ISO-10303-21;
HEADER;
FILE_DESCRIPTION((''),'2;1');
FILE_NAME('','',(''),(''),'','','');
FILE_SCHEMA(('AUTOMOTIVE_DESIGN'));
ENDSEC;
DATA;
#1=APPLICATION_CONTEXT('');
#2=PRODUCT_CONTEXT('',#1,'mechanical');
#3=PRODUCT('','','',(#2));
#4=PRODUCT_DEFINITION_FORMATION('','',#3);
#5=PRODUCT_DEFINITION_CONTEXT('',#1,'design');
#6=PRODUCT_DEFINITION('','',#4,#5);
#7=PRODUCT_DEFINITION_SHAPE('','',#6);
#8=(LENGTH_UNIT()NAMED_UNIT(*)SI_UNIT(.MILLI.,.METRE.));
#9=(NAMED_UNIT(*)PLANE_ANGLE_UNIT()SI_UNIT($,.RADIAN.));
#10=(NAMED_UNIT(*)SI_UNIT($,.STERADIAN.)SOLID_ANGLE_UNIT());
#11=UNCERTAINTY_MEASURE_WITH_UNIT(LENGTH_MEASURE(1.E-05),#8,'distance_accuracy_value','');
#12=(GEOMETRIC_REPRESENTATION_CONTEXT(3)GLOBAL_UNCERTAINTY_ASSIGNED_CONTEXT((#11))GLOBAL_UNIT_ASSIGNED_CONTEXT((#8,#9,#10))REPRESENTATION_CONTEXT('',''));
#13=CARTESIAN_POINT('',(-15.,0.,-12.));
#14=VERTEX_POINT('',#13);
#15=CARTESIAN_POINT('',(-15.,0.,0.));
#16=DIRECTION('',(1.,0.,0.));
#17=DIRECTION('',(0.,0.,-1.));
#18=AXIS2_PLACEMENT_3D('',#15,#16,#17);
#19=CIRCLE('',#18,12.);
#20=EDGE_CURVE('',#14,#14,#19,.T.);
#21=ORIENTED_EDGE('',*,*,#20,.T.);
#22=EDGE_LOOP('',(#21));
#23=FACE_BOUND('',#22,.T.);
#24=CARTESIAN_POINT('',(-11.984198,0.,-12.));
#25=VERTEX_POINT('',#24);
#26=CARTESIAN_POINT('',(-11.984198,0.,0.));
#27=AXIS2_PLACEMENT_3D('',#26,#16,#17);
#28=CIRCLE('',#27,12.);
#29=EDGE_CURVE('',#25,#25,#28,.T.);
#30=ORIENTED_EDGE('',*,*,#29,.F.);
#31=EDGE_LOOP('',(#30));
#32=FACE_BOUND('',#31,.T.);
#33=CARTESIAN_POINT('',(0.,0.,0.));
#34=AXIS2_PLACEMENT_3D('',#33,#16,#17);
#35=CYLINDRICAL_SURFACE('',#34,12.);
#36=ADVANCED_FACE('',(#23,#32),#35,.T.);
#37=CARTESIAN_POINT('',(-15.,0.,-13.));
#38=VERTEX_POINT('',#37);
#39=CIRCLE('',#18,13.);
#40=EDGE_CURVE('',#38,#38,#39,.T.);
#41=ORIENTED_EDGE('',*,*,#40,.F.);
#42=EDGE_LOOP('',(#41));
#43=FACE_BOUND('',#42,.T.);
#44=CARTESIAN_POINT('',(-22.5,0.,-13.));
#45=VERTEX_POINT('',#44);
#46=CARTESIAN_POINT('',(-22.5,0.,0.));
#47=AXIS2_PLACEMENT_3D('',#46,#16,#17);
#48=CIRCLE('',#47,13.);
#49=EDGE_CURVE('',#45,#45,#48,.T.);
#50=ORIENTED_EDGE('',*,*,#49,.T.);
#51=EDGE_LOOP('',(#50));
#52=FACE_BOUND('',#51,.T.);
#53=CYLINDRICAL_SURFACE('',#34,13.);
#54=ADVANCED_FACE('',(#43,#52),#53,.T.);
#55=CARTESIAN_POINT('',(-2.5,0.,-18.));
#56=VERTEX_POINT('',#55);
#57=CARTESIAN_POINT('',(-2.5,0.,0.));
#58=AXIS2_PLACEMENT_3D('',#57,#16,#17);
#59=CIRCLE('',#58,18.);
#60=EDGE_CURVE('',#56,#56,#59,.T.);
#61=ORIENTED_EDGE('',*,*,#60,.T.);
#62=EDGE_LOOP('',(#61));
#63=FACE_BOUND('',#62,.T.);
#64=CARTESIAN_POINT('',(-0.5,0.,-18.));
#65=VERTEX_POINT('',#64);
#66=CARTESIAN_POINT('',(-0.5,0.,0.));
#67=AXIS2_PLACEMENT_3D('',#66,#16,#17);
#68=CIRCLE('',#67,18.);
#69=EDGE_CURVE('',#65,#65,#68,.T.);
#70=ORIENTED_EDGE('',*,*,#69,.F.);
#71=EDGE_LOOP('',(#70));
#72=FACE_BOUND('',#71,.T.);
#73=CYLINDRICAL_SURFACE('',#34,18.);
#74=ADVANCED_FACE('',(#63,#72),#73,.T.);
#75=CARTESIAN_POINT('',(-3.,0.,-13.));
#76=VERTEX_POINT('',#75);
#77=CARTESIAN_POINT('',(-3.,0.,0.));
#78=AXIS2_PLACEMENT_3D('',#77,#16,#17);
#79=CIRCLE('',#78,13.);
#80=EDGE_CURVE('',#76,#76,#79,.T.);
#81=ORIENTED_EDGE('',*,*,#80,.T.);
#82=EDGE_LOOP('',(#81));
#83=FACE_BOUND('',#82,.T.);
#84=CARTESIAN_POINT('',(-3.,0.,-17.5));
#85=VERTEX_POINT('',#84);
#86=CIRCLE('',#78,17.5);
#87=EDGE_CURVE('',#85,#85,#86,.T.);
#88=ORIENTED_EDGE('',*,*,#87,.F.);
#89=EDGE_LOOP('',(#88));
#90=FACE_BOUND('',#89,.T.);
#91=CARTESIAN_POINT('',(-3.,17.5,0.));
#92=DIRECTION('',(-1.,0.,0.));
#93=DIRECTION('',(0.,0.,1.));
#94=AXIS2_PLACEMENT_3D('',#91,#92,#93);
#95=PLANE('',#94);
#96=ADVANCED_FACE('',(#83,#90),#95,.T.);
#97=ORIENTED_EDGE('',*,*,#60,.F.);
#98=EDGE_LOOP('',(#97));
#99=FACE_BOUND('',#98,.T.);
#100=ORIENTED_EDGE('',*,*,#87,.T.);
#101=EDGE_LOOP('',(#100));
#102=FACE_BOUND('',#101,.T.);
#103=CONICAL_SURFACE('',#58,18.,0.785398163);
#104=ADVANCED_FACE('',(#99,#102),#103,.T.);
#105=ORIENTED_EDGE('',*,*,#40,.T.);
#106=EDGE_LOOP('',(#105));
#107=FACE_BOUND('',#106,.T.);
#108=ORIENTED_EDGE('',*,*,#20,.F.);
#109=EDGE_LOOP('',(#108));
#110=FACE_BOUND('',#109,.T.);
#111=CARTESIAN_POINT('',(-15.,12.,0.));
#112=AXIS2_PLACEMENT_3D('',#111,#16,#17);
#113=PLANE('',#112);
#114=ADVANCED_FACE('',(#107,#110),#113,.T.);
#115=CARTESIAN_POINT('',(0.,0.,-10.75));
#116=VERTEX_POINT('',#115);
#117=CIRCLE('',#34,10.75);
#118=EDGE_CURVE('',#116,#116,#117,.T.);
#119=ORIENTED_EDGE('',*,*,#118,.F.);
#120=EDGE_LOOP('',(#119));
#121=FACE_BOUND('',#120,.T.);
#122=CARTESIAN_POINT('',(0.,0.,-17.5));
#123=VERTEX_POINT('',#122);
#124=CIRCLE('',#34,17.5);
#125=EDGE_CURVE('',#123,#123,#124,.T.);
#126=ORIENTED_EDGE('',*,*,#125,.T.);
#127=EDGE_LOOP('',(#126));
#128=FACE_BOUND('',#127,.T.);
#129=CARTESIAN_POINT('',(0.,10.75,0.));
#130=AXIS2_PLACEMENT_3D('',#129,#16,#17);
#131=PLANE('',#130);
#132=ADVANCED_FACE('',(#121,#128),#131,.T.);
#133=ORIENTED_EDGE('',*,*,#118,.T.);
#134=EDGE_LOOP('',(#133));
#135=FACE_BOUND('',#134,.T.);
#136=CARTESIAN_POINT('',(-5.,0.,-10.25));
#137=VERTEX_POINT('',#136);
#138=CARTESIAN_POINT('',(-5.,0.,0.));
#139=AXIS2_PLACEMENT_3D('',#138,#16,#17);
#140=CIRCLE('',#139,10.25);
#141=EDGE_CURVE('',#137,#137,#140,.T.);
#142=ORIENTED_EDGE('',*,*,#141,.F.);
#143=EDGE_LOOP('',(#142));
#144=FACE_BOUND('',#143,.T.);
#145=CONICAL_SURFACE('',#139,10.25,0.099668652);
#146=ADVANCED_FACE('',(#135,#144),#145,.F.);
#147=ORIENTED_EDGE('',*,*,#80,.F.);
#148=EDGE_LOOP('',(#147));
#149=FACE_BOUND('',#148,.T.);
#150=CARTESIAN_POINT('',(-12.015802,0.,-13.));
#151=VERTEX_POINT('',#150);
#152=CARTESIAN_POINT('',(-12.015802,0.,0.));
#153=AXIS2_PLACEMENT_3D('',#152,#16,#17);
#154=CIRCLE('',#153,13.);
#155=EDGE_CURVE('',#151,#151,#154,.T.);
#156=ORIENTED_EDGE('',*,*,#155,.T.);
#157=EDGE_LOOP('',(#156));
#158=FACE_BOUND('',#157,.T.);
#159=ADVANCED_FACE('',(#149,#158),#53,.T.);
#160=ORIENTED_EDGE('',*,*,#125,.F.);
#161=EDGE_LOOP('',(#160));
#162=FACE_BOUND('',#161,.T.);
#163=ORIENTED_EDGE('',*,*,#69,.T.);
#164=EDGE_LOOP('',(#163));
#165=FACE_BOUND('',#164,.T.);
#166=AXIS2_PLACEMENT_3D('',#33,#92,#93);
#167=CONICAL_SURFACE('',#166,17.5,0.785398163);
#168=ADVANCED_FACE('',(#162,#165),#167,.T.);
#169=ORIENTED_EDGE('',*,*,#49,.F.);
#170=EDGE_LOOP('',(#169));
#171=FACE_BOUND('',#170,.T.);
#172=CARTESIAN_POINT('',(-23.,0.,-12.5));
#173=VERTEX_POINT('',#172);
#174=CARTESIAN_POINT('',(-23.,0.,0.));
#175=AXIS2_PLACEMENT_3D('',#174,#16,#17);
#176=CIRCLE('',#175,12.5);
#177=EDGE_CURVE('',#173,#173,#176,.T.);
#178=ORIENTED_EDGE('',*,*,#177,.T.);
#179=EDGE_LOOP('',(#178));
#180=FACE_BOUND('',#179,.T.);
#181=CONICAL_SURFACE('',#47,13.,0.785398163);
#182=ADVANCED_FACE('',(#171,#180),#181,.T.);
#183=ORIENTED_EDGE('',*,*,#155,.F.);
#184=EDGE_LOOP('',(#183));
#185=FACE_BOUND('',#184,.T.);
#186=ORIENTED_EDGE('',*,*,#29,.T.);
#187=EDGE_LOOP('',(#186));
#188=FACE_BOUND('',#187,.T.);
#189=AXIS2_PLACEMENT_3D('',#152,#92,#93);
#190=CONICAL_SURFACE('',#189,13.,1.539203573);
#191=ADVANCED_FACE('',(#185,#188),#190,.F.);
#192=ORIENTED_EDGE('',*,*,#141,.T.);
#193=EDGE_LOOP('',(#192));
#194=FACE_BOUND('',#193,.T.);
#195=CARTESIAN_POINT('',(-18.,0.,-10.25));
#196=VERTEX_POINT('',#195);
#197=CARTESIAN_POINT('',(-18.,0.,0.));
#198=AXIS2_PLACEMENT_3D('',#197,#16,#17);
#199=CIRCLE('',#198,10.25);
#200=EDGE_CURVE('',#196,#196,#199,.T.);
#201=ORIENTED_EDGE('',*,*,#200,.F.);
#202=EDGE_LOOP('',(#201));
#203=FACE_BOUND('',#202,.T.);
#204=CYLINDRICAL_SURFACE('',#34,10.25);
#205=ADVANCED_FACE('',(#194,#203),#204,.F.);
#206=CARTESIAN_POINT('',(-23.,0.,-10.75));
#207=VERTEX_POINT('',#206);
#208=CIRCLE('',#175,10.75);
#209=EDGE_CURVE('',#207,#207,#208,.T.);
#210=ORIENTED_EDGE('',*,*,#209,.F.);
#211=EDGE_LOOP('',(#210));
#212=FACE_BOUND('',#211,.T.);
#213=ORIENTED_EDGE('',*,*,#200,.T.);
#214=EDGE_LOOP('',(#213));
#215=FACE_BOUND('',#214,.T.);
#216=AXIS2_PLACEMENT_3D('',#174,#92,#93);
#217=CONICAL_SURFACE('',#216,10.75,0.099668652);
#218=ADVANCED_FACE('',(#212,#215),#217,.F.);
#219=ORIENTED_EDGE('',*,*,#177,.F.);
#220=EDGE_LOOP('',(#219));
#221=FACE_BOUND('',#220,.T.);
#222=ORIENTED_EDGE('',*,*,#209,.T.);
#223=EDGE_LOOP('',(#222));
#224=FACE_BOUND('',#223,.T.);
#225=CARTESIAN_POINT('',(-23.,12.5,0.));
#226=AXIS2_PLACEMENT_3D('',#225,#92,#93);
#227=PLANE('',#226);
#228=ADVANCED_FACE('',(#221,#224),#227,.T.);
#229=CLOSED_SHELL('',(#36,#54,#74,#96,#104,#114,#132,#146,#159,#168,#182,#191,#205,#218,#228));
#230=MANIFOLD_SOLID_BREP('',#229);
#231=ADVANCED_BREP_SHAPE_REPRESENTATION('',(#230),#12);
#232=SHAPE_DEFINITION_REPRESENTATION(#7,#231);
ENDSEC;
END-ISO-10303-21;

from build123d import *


with BuildPart() as part:
    # Esquisse1 → Révolution1 (revolve)
    with BuildSketch(Plane.XY, mode=Mode.PRIVATE) as r_volution1_sk:
        Polygon((0, 10.75), (0, 17.5), (-0.5, 18), (-2.5, 18), (-3, 17.5), (-3, 13), (-12.015801634, 13), (-11.984198366, 12), (-15, 12), (-15, 13), (-22.5, 13), (-23, 12.5), (-23, 10.75), (-18, 10.25), (-5, 10.25), align=None)
    revolve(r_volution1_sk.sketch.rotate(Axis((0, 0, 0), (-1, 0, 0)), 90), axis=Axis((0, 0, 0), (-1, 0, 0)))  # turned: the seam where the file's is


solid = part.part
